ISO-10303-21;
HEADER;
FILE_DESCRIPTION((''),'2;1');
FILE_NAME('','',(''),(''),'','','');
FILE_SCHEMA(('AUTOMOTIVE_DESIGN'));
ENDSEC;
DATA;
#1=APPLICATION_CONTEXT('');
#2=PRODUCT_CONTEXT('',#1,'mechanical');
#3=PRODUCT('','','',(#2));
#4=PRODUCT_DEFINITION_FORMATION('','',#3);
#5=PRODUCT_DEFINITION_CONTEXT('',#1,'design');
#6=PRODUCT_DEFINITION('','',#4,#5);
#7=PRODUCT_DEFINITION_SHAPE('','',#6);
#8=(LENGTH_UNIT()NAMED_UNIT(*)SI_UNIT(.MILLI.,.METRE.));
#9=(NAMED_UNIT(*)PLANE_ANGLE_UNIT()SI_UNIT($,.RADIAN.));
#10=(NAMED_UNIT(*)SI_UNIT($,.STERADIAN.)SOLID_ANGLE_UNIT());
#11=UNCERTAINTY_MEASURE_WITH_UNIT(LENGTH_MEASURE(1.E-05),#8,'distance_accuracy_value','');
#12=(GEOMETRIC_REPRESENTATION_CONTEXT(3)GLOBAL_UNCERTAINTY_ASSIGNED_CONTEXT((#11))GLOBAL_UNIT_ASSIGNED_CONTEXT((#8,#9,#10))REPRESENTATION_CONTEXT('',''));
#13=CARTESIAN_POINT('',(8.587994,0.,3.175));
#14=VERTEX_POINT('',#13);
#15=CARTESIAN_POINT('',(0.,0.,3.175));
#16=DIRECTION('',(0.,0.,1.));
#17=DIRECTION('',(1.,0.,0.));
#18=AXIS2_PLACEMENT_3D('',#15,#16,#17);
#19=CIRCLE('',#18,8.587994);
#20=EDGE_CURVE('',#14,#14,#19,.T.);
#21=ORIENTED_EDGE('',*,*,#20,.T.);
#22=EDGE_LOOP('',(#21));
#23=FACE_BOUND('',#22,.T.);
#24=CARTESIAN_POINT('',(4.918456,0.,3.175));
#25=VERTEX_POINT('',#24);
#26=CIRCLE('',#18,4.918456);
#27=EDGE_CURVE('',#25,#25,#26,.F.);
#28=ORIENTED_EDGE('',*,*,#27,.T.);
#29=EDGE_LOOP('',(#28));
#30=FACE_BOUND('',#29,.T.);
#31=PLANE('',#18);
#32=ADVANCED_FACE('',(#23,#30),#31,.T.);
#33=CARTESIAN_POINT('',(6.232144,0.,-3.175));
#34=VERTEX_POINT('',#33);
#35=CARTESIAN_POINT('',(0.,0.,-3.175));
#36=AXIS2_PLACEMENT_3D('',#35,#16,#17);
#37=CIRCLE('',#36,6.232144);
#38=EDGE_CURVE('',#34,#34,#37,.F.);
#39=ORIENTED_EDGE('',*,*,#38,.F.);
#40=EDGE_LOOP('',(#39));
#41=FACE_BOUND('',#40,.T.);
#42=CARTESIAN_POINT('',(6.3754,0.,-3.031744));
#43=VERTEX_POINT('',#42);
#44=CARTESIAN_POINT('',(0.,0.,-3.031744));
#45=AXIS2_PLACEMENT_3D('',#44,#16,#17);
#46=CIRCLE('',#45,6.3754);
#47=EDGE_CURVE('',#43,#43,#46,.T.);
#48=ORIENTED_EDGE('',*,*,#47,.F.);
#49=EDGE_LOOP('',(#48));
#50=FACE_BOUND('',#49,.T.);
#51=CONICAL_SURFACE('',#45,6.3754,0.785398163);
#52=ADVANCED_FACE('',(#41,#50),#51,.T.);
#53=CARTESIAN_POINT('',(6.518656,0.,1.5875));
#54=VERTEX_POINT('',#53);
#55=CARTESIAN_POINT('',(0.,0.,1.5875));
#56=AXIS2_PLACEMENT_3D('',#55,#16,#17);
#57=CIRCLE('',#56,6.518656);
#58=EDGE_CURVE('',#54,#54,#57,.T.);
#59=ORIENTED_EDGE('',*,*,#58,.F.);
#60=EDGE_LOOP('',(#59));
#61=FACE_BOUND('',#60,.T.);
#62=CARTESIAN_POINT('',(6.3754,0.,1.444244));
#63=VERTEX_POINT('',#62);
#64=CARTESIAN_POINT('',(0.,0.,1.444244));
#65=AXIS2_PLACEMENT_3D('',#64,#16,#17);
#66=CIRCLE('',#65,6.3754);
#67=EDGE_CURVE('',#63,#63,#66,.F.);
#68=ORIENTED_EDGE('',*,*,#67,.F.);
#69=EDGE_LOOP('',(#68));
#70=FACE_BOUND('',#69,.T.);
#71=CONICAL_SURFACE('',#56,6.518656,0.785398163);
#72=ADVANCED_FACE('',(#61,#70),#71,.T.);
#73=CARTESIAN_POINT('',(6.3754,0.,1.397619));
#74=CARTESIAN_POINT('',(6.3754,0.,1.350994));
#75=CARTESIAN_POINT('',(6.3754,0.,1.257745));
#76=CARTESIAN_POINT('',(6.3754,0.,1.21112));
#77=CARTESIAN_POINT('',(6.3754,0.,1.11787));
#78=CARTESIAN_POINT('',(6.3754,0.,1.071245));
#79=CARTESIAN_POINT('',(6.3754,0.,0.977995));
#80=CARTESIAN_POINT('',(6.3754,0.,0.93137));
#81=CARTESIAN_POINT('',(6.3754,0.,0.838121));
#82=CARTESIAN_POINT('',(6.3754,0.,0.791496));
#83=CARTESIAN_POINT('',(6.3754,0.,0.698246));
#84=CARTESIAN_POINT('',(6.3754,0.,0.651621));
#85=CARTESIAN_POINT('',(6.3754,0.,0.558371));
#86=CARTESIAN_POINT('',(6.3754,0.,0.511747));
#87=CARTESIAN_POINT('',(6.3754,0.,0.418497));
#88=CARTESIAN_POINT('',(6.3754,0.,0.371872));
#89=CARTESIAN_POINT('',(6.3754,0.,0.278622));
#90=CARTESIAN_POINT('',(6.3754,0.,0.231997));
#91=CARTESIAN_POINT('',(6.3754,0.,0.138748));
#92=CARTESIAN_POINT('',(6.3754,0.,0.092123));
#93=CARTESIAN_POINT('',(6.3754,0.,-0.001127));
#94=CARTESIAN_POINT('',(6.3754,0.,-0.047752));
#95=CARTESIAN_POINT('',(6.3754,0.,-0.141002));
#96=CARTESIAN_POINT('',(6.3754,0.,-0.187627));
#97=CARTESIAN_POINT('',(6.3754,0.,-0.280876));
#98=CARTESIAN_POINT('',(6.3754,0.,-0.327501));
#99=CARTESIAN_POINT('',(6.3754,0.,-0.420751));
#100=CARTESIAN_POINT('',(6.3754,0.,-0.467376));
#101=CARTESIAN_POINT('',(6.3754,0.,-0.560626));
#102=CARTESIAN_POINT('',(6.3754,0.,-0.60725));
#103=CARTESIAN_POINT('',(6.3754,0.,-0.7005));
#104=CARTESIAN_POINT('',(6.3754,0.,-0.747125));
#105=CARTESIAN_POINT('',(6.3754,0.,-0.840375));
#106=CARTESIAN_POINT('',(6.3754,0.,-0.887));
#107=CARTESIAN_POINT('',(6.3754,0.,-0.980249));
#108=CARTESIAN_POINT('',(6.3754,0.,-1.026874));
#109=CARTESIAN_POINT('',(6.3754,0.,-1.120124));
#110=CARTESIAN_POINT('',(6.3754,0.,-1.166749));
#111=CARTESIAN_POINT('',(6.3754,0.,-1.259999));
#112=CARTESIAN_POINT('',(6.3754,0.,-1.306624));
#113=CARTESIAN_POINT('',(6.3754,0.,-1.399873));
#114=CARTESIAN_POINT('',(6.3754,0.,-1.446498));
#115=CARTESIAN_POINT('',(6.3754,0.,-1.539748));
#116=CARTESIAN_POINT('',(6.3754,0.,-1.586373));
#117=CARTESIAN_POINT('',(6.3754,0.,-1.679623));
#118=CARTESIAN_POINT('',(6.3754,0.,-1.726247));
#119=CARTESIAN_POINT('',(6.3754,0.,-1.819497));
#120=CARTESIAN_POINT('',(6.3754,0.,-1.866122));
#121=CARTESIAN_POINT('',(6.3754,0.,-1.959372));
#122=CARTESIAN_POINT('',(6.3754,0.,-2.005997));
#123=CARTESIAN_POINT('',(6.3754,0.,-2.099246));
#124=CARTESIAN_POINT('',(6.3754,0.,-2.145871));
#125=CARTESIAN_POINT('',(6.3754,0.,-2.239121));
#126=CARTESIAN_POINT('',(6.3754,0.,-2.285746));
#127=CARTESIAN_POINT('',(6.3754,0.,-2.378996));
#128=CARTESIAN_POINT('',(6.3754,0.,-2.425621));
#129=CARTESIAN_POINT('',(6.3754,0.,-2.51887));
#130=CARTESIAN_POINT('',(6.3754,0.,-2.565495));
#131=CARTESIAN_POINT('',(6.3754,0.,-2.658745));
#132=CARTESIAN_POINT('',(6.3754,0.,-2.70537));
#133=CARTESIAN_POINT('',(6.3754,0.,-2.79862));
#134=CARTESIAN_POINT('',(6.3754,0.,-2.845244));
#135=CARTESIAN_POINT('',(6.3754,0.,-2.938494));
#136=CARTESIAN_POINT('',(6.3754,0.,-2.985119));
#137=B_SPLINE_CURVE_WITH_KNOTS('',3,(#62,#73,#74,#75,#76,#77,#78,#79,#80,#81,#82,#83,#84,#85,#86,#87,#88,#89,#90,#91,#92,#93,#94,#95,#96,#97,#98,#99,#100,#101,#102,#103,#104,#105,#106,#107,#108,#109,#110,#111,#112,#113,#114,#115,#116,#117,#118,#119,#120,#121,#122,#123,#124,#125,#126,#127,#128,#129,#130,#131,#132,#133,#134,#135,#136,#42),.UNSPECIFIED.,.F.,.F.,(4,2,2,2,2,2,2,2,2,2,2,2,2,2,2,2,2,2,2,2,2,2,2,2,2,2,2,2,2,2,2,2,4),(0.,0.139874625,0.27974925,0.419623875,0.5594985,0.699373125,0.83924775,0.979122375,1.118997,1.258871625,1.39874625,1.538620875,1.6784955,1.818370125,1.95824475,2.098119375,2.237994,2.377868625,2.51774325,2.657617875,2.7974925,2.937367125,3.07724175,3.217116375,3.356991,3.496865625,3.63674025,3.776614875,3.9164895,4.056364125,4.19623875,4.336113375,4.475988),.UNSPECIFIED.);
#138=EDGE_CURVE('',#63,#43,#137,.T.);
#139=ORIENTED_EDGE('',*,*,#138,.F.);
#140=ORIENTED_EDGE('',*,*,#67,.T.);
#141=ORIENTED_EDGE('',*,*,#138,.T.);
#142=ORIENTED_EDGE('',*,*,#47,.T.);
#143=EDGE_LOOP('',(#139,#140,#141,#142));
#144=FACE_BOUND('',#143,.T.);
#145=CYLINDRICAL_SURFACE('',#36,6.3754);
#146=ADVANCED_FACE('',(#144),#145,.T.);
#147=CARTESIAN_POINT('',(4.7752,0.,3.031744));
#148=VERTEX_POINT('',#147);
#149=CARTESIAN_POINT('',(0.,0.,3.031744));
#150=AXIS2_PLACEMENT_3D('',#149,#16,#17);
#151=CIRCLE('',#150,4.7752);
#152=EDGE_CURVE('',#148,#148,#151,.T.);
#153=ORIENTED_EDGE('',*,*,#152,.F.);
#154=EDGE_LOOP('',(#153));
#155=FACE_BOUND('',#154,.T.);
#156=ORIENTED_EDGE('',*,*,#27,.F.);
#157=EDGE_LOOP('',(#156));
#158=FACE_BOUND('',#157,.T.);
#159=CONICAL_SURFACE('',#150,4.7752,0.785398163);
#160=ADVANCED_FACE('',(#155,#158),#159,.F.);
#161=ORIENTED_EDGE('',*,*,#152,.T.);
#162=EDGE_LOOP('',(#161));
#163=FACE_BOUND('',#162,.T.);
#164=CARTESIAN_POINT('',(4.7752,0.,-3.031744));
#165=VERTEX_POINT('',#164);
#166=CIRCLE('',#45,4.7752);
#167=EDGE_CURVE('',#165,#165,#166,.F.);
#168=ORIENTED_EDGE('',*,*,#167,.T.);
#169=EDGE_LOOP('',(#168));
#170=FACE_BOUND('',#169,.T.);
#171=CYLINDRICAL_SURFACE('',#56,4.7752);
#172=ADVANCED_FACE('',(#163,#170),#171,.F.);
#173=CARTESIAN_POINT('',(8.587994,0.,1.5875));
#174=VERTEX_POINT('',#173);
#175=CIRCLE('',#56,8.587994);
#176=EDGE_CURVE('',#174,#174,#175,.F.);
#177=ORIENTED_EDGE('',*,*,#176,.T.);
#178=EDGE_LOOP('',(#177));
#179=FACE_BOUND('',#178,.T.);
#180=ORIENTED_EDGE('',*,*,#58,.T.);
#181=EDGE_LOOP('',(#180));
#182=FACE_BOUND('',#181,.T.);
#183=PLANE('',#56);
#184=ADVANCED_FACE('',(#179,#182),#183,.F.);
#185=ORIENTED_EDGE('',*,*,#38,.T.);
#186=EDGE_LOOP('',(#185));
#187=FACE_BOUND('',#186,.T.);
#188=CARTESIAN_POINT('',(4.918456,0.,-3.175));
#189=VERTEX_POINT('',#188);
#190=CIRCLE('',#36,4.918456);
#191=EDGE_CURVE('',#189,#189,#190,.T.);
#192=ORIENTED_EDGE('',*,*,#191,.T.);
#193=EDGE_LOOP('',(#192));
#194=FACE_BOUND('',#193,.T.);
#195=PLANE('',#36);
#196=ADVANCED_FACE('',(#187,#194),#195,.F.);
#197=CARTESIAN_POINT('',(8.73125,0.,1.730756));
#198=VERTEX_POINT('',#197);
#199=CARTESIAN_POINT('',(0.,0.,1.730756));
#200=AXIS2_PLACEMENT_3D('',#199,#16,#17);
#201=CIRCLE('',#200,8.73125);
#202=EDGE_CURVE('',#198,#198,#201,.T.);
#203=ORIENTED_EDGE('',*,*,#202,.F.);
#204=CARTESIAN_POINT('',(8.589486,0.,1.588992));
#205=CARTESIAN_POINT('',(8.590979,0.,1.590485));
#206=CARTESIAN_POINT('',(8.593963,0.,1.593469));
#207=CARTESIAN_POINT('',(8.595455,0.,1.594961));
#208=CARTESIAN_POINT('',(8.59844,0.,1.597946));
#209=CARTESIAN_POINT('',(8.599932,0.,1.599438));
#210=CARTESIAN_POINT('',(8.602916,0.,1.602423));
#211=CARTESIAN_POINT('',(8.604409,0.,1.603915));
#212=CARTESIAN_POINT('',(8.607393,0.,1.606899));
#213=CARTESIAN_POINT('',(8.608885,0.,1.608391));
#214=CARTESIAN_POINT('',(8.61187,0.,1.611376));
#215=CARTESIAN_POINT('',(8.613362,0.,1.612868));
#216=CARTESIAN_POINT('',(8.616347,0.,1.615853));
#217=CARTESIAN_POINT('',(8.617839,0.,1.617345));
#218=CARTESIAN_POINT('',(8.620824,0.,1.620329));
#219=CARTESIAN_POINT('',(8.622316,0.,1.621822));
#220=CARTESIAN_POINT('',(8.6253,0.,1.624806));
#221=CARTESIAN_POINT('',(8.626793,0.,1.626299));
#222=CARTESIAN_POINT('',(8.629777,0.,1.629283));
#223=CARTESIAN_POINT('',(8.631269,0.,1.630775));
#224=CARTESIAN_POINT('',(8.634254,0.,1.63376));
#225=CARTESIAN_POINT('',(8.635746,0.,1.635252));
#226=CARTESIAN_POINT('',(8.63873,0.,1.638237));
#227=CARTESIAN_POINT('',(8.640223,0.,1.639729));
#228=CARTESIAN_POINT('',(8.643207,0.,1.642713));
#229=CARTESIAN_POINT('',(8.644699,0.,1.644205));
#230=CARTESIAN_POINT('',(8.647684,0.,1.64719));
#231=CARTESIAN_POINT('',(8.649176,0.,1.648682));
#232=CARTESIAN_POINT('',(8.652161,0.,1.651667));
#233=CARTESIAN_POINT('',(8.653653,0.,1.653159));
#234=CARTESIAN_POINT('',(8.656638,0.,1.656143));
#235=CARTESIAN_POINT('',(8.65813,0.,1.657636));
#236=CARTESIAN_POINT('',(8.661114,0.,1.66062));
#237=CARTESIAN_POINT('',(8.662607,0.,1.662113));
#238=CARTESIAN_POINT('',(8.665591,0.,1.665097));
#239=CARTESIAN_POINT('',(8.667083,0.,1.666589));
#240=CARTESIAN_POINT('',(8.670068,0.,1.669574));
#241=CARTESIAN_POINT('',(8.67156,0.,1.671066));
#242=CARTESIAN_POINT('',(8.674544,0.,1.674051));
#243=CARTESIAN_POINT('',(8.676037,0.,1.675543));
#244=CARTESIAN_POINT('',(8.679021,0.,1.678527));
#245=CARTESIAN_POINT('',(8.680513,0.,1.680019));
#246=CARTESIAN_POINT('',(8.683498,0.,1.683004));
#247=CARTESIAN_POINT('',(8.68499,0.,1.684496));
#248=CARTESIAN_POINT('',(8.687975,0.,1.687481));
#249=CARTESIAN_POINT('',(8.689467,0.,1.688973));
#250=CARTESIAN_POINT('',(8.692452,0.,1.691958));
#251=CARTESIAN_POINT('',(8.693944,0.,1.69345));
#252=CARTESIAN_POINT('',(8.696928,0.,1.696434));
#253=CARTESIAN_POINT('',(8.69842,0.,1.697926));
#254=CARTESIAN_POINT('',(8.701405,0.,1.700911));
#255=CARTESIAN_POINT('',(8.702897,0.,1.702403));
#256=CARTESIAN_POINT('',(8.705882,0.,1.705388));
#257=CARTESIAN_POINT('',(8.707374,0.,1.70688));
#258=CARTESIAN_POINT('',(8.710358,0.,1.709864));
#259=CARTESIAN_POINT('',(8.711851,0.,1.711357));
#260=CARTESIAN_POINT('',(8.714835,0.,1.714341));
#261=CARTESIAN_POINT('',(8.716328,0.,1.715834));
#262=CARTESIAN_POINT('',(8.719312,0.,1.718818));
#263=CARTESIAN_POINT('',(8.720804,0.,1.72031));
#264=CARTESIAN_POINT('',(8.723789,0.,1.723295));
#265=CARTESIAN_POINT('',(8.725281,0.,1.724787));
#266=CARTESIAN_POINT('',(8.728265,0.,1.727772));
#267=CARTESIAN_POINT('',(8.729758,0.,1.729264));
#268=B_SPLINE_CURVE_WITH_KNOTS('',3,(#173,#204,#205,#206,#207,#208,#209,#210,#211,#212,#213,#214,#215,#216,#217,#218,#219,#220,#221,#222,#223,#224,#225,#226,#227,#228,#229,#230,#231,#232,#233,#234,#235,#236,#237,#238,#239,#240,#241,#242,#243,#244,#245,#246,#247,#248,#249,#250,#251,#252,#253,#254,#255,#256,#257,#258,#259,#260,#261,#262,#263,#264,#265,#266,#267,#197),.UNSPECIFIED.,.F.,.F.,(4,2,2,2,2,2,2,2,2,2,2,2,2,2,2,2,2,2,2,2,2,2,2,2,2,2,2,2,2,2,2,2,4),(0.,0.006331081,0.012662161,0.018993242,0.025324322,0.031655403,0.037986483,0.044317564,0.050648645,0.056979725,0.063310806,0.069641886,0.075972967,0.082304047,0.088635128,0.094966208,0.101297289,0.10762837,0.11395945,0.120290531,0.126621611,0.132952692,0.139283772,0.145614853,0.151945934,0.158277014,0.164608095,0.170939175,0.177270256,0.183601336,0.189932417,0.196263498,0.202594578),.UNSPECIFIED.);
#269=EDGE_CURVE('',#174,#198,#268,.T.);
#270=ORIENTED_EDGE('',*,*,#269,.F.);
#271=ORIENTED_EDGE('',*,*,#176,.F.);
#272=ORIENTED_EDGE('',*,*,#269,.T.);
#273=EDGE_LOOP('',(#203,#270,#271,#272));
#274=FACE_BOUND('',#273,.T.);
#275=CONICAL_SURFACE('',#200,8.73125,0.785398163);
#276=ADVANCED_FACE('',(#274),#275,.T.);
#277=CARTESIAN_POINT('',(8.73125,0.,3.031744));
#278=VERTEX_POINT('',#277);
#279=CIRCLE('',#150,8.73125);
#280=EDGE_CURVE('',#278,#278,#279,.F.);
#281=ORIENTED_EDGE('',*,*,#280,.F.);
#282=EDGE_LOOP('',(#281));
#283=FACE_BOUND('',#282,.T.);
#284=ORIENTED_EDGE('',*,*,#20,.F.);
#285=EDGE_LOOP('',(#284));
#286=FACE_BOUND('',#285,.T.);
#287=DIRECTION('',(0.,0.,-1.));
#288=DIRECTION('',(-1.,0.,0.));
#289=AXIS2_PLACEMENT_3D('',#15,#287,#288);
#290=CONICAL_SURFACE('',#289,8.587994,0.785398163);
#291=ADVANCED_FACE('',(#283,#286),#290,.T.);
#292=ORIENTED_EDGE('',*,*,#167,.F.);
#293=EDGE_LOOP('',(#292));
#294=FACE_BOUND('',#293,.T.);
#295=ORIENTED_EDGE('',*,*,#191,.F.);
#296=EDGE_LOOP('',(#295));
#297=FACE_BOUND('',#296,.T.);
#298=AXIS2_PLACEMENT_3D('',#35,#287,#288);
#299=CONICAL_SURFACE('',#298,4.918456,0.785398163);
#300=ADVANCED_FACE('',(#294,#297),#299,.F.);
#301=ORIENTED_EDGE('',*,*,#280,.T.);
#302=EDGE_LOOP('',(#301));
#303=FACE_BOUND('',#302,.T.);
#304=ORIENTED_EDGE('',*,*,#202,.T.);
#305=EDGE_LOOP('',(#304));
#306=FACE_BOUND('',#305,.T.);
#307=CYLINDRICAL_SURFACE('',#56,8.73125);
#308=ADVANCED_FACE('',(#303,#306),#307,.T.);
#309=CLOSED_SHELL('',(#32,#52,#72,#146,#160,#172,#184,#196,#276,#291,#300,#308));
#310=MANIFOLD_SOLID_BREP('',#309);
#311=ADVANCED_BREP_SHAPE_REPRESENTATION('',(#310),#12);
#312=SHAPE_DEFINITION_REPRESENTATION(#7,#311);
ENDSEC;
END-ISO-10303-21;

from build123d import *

# Parameters (mm, degrees)
BOSS_EXTRUDE1_START = 3.175
SKETCH3_R           = 8.73125
SKETCH3_R_2         = 4.7752
BOSS_EXTRUDE1_DEPTH = 1.5875
BOSS_EXTRUDE2_START = 1.5875
SKETCH4_R           = 6.3754
SKETCH4_R_2         = 4.7752
BOSS_EXTRUDE2_DEPTH = 4.7625
CHAMFER1_SIZE       = 0.143256


with BuildPart() as part:
    # Sketch3 → Boss-Extrude1 (new body)
    with BuildSketch(Plane.XY.offset(BOSS_EXTRUDE1_START)):
        Circle(SKETCH3_R)
        Circle(SKETCH3_R_2, mode=Mode.SUBTRACT)
    extrude(amount=-BOSS_EXTRUDE1_DEPTH)

    # Sketch4 → Boss-Extrude2 (add)
    with BuildSketch(Plane.XY.offset(BOSS_EXTRUDE2_START)):
        Circle(SKETCH4_R)
        Circle(SKETCH4_R_2, mode=Mode.SUBTRACT)
    extrude(amount=-BOSS_EXTRUDE2_DEPTH)

    # Chamfer1
    chamfer1_edges = [part.edges().sort_by_distance(p)[0] for p in [
        (-4.7752, 0, -3.175),
        (-6.3754, 0, 1.5875),
        (-8.73125, 0, 3.175),
        (-8.73125, 0, 1.5875),
        (-4.7752, 0, 3.175),
        (-6.3754, 0, -3.175),
    ]]
    chamfer(chamfer1_edges, length=CHAMFER1_SIZE)


solid = part.part
